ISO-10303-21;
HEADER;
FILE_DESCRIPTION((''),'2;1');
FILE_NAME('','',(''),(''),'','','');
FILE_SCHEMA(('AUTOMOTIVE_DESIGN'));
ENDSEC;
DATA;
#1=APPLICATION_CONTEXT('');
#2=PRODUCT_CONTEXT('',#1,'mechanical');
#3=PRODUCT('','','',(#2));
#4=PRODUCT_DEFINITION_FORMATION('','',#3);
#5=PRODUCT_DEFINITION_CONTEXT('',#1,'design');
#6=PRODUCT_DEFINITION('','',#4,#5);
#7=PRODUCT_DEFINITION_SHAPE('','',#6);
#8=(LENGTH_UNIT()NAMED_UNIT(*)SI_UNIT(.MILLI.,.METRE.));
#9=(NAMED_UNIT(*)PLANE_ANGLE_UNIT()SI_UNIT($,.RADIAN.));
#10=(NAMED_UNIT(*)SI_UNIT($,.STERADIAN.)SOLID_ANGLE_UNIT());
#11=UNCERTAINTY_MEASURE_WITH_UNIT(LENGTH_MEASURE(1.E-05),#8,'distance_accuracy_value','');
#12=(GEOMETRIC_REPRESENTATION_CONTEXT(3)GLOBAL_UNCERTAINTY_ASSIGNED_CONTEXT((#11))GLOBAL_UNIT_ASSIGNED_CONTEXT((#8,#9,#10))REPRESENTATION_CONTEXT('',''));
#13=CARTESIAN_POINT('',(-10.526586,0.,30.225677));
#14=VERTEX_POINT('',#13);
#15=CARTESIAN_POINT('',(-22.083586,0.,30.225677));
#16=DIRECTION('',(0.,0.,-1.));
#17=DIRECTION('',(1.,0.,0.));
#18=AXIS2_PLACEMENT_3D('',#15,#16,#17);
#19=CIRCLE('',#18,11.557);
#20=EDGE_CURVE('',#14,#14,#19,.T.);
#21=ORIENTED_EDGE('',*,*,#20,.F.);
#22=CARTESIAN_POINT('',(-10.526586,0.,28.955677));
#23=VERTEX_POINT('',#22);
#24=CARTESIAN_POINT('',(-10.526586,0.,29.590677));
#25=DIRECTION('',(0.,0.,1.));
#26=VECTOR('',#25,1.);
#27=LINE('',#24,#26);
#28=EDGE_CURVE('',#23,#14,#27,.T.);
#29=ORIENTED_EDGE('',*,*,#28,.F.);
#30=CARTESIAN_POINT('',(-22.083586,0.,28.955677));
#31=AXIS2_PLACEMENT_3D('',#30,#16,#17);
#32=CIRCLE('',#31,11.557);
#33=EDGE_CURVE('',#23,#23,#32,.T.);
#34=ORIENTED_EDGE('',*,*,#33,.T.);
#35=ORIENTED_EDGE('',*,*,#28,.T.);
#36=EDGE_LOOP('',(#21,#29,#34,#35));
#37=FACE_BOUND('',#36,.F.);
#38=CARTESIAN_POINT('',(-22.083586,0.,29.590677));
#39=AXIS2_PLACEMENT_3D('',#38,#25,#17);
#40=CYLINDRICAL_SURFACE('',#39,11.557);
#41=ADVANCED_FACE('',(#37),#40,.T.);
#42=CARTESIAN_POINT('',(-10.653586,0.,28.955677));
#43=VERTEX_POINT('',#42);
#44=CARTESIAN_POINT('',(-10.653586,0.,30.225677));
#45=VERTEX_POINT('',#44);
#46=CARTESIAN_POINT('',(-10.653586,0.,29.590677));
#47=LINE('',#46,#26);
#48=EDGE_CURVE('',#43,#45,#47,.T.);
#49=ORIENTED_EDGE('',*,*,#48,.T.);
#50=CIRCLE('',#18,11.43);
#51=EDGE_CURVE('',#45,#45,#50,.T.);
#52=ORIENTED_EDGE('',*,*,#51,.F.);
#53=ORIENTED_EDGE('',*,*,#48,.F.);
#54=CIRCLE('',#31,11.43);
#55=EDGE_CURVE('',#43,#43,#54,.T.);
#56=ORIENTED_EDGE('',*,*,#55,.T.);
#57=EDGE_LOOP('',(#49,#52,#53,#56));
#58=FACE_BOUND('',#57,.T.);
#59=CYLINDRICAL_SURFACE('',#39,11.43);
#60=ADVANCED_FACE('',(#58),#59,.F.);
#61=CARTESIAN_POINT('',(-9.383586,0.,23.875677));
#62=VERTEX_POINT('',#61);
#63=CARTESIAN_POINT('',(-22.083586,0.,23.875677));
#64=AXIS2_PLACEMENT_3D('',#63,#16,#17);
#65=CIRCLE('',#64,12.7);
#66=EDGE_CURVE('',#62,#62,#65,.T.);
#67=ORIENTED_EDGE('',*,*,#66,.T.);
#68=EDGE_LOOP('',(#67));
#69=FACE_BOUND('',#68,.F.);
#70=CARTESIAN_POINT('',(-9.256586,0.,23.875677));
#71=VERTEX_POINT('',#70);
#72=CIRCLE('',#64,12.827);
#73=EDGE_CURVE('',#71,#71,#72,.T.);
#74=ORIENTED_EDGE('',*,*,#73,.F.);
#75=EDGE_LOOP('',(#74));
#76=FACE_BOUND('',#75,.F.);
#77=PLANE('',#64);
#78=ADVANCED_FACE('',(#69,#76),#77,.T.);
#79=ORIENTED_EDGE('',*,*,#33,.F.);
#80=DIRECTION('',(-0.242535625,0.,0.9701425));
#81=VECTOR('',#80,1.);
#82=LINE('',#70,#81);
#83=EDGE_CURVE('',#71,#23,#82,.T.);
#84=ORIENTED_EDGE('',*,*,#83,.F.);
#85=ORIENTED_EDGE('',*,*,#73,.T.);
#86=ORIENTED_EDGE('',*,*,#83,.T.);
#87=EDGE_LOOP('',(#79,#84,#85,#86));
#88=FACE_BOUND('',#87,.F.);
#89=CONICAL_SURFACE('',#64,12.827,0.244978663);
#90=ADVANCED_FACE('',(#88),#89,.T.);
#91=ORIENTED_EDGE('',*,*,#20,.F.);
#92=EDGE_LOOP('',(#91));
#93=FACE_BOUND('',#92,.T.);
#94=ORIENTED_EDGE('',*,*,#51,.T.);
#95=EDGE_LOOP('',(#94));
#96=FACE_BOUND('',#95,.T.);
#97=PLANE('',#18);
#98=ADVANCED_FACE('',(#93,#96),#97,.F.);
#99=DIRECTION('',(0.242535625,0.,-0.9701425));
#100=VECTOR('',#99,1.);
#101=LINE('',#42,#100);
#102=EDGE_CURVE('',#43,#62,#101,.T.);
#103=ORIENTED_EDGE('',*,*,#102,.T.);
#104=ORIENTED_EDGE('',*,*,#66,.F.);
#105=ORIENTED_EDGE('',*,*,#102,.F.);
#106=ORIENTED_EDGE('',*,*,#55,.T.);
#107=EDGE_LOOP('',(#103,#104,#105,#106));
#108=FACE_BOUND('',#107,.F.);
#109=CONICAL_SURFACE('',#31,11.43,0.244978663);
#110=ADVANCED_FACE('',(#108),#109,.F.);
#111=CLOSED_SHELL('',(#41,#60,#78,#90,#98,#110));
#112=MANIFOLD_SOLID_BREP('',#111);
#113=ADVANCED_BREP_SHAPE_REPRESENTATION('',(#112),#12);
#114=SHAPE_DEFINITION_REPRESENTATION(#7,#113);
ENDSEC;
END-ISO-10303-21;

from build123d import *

# Parameters (mm, degrees)
F0_W = 0.127
F0_H = 1.27


with BuildPart() as f1:
    # F0 (on Front) → F1 (revolve)
    with BuildSketch(Plane.XZ):
        Polygon((-10.526586, 28.955677), (-10.653586, 28.955677), (-9.383586, 23.875677), (-9.256586, 23.875677), align=None)
        with Locations((-10.590086, 29.590677)):
            Rectangle(F0_W, F0_H)
    revolve(axis=Axis((-22.083586, 0, 29.590677), (0, 0, -1)))


solid = f1.part
